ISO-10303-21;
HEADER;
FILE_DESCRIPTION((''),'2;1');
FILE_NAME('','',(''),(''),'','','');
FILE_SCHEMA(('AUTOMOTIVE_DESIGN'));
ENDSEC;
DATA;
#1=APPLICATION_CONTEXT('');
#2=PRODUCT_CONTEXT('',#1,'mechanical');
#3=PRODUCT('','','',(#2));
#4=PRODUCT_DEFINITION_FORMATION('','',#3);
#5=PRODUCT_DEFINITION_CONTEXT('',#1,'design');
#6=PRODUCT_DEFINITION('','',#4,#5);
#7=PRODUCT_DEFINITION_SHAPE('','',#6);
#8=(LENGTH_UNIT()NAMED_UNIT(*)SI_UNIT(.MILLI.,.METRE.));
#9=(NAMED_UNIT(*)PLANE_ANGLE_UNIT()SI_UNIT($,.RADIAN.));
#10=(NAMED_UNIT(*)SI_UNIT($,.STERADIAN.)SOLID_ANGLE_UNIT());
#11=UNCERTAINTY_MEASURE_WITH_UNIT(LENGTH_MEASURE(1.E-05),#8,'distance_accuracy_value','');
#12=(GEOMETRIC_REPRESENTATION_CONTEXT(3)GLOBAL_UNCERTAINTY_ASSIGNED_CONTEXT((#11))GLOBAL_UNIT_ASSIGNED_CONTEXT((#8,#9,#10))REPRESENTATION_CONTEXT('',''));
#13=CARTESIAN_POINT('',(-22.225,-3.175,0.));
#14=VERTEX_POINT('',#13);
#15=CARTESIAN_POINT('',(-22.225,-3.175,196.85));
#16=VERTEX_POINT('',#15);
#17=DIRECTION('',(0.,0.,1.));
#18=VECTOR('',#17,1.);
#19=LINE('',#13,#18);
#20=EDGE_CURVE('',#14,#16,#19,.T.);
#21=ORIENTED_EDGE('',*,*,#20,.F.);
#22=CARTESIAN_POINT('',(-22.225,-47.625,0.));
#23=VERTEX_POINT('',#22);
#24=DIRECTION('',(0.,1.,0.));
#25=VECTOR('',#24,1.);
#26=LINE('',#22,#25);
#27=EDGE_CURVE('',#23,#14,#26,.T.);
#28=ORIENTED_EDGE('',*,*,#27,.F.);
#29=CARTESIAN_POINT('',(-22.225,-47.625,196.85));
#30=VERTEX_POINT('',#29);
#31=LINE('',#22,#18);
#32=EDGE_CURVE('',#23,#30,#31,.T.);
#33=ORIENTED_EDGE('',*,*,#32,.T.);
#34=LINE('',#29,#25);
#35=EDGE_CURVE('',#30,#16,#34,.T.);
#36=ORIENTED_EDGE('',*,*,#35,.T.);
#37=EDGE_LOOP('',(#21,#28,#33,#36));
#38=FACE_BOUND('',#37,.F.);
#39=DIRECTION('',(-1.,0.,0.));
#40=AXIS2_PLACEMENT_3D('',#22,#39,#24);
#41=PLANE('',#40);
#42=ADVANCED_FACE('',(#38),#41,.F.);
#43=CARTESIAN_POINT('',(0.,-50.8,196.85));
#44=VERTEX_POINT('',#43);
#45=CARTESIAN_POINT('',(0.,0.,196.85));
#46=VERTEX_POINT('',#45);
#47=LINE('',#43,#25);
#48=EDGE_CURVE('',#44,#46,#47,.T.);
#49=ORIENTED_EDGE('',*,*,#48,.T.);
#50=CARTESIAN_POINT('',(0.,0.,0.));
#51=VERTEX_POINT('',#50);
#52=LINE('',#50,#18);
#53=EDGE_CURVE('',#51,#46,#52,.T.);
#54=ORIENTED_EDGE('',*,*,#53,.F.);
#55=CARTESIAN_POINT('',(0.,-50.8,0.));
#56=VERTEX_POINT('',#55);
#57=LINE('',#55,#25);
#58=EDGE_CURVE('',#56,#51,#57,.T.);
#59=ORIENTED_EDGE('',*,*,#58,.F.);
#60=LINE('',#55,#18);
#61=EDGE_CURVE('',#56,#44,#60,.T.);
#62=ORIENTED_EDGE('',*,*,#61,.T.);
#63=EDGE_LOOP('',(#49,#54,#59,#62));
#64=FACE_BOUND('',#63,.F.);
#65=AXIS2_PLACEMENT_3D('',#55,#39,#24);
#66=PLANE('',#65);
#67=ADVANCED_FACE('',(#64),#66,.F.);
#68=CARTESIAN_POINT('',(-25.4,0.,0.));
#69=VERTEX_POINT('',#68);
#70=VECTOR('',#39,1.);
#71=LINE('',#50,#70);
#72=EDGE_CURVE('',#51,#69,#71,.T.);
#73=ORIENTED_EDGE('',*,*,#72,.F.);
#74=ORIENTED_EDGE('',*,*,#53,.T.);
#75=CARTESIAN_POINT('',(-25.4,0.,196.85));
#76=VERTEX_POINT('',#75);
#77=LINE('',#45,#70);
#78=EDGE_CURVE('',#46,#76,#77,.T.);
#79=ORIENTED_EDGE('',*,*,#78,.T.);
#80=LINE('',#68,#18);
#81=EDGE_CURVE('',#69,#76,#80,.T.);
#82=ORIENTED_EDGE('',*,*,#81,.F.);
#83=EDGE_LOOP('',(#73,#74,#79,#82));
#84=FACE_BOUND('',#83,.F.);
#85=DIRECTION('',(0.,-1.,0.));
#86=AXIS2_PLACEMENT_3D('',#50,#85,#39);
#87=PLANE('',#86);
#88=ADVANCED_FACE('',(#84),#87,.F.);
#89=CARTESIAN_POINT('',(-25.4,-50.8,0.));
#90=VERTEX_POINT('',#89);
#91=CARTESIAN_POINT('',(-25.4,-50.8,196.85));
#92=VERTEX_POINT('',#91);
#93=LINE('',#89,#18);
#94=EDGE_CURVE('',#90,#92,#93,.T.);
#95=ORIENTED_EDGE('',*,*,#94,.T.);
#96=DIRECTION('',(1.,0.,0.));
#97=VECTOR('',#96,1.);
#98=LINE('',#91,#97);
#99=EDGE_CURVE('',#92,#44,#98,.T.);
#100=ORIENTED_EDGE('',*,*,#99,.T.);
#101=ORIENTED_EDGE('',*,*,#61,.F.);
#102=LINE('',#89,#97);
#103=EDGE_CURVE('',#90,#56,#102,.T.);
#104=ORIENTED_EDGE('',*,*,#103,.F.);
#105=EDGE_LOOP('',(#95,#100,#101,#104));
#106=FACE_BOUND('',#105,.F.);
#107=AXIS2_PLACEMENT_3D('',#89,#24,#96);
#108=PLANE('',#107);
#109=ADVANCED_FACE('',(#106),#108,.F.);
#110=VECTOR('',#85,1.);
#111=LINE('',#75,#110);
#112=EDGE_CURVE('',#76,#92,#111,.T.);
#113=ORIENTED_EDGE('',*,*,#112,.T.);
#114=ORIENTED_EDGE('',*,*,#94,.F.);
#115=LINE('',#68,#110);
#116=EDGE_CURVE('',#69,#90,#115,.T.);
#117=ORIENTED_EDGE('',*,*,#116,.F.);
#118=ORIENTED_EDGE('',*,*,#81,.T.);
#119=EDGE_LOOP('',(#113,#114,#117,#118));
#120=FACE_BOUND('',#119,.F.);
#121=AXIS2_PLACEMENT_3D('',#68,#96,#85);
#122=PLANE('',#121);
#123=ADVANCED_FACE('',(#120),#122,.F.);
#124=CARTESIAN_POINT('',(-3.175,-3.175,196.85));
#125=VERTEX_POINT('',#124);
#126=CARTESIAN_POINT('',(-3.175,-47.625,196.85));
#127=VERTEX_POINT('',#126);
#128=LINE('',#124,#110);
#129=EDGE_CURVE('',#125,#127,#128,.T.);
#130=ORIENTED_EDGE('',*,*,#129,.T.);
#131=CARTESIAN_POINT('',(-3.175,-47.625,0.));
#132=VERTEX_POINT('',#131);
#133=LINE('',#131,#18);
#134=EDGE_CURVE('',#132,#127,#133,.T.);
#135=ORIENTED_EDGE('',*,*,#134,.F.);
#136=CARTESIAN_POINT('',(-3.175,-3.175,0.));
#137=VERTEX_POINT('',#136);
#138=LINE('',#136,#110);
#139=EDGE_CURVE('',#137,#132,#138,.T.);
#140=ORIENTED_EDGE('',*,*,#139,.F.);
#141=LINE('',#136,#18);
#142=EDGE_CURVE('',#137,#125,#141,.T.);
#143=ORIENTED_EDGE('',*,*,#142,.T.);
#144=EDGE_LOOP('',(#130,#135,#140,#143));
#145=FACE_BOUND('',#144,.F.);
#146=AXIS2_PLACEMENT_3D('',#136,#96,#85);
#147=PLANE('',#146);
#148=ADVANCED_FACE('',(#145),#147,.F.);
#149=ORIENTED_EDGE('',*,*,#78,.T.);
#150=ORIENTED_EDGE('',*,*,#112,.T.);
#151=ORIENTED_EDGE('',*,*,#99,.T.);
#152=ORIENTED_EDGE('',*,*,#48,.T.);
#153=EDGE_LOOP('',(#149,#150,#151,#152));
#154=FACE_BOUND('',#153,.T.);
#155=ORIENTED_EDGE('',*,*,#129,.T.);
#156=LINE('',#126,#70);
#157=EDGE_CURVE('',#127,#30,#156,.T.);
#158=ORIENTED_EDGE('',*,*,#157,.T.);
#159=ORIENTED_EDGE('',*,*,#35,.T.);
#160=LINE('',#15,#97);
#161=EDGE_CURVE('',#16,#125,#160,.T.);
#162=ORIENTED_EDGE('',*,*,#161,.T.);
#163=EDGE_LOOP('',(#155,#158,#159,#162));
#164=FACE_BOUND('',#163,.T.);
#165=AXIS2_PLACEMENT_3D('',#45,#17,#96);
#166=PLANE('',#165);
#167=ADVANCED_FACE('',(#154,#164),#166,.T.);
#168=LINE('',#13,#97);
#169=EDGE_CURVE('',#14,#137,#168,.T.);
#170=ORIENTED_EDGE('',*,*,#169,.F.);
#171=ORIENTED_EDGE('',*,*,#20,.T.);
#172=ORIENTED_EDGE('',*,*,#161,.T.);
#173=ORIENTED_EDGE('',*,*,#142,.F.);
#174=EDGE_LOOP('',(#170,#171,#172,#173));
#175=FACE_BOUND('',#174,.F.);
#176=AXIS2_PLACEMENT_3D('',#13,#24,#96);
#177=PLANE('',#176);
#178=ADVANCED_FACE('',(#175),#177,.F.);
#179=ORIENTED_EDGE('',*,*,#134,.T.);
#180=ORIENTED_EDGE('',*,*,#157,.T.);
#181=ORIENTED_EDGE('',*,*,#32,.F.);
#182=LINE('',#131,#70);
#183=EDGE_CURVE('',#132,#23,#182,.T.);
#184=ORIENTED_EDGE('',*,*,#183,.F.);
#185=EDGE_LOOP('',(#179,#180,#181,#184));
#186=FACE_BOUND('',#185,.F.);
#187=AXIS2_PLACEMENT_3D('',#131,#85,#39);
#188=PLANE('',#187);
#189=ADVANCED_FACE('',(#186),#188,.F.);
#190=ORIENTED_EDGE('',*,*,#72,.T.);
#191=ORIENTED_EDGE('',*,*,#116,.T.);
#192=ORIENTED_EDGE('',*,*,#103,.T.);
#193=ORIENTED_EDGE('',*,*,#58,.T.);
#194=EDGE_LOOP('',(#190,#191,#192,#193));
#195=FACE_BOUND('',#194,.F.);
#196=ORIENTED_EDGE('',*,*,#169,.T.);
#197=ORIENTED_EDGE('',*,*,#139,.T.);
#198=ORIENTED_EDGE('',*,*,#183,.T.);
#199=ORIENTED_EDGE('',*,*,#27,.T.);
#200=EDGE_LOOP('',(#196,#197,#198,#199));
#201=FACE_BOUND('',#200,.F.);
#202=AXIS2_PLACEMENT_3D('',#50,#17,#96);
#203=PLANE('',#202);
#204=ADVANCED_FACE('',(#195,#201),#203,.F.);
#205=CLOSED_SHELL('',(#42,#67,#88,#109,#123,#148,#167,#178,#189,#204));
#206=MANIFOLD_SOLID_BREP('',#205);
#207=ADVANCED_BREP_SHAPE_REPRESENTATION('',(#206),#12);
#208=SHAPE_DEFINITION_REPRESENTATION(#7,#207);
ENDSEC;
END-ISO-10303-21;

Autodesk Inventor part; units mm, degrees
ref_plane "YZ Plane" through (0, 0, 0) normal (1, 0, 0) x (0, 1, 0)
ref_plane "XZ Plane" through (0, 0, 0) normal (0, 1, 0) x (-1, 0, 0)
ref_plane "XY Plane" through (0, 0, 0) normal (0, 0, 1) x (1, 0, 0)
sketch "Sketch1" plane through (0, 0, 0) normal (0, 0, 1) x (1, 0, 0)
  line L0 (0, 0) -> (-25.4, 0)
  line L1 (-25.4, 0) -> (-25.4, -50.8)
  line L2 (-25.4, -50.8) -> (0, -50.8)
  line L3 (0, -50.8) -> (0, 0)
  line L4 (-22.225, -3.175) -> (-3.175, -3.175)
  line L5 (-3.175, -3.175) -> (-3.175, -47.625)
  line L6 (-3.175, -47.625) -> (-22.225, -47.625)
  line L7 (-22.225, -47.625) -> (-22.225, -3.175)
  dimension "d0" = 25.4
  dimension "d1" = 50.8
  dimension "d2" = 3.175
extrude "Extrusion1" add sketch "Sketch1" along normal blind 196.85
properties part number "piston arm"
